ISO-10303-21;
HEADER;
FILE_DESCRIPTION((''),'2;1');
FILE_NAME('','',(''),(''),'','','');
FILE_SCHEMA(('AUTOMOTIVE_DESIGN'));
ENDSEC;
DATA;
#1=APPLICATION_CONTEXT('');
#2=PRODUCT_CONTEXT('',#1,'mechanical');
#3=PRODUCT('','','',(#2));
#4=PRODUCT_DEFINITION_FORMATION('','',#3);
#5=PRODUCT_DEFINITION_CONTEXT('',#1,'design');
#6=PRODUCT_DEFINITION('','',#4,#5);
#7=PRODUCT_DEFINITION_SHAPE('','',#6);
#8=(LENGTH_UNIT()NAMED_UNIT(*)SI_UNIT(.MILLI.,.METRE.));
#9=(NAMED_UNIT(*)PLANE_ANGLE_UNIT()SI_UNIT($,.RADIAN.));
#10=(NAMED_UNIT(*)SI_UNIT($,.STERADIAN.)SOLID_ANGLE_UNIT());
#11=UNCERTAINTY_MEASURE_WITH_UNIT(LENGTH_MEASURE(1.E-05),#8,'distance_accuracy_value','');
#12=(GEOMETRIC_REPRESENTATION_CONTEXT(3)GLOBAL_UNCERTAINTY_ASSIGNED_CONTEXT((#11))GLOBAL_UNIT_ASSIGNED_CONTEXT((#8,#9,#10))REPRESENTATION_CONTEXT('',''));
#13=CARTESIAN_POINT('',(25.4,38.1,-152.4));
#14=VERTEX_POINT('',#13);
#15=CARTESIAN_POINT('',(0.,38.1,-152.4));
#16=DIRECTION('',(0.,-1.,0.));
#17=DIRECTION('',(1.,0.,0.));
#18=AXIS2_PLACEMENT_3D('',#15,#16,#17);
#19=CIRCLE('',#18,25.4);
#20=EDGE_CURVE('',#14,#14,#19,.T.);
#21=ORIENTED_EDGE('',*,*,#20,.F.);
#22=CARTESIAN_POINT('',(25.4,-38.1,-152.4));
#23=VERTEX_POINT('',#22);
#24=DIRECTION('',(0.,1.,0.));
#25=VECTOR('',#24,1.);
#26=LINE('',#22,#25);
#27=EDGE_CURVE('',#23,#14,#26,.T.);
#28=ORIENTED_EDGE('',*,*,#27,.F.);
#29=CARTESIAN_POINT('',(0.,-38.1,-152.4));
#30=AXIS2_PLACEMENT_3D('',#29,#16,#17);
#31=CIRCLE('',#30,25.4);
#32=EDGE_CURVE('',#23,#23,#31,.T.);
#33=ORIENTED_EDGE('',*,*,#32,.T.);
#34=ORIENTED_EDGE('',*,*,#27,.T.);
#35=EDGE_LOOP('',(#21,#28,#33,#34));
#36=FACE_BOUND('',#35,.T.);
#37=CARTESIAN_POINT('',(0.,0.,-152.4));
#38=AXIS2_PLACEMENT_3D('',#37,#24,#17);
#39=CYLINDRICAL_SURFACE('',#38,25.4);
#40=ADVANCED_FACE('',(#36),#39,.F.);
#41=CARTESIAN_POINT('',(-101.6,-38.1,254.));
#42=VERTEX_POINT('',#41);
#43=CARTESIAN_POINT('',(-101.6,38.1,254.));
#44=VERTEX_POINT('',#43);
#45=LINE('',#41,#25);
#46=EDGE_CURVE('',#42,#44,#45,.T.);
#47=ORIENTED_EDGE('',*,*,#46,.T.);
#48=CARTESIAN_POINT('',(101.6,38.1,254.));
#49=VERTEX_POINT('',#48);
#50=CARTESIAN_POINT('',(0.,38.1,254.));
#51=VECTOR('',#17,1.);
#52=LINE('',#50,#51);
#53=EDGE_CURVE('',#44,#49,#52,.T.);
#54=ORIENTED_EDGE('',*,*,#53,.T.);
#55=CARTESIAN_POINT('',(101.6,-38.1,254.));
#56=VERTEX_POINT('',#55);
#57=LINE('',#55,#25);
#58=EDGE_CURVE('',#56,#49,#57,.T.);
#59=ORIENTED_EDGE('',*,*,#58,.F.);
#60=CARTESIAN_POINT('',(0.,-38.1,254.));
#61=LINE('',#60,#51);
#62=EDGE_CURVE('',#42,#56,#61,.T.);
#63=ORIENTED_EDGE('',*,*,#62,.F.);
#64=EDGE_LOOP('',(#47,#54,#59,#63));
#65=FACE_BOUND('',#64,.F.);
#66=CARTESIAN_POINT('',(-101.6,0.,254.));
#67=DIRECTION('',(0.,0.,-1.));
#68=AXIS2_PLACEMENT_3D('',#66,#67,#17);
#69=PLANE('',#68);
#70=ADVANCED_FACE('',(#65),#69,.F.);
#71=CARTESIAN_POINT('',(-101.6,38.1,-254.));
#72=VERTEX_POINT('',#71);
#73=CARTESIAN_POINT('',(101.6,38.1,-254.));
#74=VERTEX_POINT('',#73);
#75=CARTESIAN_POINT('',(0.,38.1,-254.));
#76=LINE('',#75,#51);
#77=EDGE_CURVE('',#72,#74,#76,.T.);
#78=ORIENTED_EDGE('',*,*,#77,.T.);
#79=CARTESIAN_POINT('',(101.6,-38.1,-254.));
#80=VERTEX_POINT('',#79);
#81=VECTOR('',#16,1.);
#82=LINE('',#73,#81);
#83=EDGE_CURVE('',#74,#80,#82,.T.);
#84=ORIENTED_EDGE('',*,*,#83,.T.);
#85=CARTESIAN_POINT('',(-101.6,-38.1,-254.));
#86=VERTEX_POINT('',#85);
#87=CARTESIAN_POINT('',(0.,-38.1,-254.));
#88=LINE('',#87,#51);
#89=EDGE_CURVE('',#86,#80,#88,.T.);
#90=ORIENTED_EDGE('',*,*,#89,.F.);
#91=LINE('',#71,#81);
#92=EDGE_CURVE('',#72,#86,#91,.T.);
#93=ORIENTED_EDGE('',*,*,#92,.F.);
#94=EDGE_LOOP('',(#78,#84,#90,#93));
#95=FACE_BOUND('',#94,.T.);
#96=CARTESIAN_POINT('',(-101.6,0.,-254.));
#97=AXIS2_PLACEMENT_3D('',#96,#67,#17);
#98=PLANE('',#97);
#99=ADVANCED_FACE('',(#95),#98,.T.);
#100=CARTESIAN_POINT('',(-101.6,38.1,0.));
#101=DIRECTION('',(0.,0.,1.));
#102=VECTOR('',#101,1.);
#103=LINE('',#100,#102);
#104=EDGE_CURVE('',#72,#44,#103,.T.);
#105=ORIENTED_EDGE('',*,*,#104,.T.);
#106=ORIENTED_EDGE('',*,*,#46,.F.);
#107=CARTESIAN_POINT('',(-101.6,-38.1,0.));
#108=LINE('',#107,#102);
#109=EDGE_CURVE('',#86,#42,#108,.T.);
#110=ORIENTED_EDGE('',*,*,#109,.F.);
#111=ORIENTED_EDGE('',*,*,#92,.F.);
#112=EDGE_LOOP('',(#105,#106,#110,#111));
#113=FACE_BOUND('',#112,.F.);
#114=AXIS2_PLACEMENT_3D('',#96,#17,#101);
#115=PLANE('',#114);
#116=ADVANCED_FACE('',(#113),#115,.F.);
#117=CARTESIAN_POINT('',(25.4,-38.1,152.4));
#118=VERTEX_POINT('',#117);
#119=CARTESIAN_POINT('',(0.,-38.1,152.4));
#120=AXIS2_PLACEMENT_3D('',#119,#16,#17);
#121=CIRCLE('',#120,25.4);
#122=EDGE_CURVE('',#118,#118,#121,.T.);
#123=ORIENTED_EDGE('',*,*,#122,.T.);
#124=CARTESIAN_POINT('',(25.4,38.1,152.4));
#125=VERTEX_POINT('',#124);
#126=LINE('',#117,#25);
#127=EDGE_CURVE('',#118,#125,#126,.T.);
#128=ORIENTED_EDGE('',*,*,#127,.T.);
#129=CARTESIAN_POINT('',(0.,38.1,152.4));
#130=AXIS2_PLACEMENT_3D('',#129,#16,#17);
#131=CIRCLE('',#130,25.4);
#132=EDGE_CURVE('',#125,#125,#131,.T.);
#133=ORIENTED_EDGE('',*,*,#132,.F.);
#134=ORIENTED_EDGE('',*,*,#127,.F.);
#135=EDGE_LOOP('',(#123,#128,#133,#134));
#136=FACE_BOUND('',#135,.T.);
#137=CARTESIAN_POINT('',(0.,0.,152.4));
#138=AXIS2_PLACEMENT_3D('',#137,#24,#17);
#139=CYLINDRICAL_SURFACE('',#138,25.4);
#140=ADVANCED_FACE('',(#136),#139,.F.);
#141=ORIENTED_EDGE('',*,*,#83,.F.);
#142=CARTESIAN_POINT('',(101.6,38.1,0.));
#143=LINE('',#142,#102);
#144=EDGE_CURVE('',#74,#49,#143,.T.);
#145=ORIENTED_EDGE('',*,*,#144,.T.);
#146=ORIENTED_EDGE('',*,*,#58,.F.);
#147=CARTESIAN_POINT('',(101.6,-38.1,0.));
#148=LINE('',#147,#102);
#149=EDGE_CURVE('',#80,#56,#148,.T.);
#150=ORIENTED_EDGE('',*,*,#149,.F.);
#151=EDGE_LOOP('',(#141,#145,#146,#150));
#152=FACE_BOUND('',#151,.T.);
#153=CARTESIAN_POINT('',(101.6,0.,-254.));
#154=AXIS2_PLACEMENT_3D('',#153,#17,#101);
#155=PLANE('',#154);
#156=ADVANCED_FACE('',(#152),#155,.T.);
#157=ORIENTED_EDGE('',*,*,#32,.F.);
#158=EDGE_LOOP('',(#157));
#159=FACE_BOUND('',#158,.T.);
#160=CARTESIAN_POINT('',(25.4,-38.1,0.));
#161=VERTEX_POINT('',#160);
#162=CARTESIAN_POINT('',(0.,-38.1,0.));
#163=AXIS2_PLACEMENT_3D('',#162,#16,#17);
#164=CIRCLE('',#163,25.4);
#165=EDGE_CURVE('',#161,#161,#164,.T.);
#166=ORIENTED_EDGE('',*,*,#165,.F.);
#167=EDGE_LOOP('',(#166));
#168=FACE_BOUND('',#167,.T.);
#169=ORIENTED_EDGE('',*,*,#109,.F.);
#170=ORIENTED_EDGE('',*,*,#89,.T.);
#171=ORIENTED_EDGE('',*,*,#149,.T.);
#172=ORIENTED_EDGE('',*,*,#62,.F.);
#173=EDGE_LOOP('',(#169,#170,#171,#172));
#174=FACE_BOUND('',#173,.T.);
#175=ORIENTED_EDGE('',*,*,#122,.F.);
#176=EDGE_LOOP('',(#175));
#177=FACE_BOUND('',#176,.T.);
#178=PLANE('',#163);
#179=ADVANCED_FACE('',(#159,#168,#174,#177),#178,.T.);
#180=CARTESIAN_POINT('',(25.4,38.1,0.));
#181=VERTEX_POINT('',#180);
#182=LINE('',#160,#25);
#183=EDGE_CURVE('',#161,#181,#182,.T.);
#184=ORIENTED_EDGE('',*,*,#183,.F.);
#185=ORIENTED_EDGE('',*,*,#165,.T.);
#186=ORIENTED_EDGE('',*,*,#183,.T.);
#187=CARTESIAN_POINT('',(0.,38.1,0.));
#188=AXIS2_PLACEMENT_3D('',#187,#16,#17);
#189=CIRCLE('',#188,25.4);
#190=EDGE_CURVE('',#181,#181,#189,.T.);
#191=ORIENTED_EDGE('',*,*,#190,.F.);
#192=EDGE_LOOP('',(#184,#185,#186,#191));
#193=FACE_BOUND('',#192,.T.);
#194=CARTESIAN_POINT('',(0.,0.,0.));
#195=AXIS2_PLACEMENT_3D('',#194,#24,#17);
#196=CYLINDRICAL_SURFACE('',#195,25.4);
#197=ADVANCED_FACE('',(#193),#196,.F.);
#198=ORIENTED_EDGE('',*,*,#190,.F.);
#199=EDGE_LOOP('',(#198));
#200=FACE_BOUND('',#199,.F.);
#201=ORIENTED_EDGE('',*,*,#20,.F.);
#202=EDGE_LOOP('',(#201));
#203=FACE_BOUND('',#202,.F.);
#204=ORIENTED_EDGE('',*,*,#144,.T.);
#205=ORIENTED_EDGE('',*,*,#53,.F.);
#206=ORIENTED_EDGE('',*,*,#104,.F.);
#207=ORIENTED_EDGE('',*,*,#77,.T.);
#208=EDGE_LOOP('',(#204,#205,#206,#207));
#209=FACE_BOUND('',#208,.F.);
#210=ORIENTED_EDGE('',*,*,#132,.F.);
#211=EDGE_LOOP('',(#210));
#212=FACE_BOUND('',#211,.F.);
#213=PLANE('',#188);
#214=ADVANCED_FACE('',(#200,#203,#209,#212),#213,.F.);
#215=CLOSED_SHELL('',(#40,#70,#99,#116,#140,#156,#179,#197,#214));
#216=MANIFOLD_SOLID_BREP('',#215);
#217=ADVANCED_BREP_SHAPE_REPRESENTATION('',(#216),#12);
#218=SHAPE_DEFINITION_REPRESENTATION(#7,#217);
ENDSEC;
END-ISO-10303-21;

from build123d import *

# Parameters (mm, degrees)
F0_W     = 203.2
F0_H     = 508
F0_R     = 25.4
F1_DEPTH = 38.1


with BuildPart() as f1:
    # F0 (on Front) → F1 (new body, symmetric)
    with BuildSketch(Plane.XZ):
        Rectangle(F0_W, F0_H)
        with Locations((0, -152.4)):
            Circle(F0_R, mode=Mode.SUBTRACT)
        Circle(F0_R, mode=Mode.SUBTRACT)
        with Locations((0, 152.4)):
            Circle(F0_R, mode=Mode.SUBTRACT)
    extrude(amount=F1_DEPTH, both=True)


solid = f1.part
